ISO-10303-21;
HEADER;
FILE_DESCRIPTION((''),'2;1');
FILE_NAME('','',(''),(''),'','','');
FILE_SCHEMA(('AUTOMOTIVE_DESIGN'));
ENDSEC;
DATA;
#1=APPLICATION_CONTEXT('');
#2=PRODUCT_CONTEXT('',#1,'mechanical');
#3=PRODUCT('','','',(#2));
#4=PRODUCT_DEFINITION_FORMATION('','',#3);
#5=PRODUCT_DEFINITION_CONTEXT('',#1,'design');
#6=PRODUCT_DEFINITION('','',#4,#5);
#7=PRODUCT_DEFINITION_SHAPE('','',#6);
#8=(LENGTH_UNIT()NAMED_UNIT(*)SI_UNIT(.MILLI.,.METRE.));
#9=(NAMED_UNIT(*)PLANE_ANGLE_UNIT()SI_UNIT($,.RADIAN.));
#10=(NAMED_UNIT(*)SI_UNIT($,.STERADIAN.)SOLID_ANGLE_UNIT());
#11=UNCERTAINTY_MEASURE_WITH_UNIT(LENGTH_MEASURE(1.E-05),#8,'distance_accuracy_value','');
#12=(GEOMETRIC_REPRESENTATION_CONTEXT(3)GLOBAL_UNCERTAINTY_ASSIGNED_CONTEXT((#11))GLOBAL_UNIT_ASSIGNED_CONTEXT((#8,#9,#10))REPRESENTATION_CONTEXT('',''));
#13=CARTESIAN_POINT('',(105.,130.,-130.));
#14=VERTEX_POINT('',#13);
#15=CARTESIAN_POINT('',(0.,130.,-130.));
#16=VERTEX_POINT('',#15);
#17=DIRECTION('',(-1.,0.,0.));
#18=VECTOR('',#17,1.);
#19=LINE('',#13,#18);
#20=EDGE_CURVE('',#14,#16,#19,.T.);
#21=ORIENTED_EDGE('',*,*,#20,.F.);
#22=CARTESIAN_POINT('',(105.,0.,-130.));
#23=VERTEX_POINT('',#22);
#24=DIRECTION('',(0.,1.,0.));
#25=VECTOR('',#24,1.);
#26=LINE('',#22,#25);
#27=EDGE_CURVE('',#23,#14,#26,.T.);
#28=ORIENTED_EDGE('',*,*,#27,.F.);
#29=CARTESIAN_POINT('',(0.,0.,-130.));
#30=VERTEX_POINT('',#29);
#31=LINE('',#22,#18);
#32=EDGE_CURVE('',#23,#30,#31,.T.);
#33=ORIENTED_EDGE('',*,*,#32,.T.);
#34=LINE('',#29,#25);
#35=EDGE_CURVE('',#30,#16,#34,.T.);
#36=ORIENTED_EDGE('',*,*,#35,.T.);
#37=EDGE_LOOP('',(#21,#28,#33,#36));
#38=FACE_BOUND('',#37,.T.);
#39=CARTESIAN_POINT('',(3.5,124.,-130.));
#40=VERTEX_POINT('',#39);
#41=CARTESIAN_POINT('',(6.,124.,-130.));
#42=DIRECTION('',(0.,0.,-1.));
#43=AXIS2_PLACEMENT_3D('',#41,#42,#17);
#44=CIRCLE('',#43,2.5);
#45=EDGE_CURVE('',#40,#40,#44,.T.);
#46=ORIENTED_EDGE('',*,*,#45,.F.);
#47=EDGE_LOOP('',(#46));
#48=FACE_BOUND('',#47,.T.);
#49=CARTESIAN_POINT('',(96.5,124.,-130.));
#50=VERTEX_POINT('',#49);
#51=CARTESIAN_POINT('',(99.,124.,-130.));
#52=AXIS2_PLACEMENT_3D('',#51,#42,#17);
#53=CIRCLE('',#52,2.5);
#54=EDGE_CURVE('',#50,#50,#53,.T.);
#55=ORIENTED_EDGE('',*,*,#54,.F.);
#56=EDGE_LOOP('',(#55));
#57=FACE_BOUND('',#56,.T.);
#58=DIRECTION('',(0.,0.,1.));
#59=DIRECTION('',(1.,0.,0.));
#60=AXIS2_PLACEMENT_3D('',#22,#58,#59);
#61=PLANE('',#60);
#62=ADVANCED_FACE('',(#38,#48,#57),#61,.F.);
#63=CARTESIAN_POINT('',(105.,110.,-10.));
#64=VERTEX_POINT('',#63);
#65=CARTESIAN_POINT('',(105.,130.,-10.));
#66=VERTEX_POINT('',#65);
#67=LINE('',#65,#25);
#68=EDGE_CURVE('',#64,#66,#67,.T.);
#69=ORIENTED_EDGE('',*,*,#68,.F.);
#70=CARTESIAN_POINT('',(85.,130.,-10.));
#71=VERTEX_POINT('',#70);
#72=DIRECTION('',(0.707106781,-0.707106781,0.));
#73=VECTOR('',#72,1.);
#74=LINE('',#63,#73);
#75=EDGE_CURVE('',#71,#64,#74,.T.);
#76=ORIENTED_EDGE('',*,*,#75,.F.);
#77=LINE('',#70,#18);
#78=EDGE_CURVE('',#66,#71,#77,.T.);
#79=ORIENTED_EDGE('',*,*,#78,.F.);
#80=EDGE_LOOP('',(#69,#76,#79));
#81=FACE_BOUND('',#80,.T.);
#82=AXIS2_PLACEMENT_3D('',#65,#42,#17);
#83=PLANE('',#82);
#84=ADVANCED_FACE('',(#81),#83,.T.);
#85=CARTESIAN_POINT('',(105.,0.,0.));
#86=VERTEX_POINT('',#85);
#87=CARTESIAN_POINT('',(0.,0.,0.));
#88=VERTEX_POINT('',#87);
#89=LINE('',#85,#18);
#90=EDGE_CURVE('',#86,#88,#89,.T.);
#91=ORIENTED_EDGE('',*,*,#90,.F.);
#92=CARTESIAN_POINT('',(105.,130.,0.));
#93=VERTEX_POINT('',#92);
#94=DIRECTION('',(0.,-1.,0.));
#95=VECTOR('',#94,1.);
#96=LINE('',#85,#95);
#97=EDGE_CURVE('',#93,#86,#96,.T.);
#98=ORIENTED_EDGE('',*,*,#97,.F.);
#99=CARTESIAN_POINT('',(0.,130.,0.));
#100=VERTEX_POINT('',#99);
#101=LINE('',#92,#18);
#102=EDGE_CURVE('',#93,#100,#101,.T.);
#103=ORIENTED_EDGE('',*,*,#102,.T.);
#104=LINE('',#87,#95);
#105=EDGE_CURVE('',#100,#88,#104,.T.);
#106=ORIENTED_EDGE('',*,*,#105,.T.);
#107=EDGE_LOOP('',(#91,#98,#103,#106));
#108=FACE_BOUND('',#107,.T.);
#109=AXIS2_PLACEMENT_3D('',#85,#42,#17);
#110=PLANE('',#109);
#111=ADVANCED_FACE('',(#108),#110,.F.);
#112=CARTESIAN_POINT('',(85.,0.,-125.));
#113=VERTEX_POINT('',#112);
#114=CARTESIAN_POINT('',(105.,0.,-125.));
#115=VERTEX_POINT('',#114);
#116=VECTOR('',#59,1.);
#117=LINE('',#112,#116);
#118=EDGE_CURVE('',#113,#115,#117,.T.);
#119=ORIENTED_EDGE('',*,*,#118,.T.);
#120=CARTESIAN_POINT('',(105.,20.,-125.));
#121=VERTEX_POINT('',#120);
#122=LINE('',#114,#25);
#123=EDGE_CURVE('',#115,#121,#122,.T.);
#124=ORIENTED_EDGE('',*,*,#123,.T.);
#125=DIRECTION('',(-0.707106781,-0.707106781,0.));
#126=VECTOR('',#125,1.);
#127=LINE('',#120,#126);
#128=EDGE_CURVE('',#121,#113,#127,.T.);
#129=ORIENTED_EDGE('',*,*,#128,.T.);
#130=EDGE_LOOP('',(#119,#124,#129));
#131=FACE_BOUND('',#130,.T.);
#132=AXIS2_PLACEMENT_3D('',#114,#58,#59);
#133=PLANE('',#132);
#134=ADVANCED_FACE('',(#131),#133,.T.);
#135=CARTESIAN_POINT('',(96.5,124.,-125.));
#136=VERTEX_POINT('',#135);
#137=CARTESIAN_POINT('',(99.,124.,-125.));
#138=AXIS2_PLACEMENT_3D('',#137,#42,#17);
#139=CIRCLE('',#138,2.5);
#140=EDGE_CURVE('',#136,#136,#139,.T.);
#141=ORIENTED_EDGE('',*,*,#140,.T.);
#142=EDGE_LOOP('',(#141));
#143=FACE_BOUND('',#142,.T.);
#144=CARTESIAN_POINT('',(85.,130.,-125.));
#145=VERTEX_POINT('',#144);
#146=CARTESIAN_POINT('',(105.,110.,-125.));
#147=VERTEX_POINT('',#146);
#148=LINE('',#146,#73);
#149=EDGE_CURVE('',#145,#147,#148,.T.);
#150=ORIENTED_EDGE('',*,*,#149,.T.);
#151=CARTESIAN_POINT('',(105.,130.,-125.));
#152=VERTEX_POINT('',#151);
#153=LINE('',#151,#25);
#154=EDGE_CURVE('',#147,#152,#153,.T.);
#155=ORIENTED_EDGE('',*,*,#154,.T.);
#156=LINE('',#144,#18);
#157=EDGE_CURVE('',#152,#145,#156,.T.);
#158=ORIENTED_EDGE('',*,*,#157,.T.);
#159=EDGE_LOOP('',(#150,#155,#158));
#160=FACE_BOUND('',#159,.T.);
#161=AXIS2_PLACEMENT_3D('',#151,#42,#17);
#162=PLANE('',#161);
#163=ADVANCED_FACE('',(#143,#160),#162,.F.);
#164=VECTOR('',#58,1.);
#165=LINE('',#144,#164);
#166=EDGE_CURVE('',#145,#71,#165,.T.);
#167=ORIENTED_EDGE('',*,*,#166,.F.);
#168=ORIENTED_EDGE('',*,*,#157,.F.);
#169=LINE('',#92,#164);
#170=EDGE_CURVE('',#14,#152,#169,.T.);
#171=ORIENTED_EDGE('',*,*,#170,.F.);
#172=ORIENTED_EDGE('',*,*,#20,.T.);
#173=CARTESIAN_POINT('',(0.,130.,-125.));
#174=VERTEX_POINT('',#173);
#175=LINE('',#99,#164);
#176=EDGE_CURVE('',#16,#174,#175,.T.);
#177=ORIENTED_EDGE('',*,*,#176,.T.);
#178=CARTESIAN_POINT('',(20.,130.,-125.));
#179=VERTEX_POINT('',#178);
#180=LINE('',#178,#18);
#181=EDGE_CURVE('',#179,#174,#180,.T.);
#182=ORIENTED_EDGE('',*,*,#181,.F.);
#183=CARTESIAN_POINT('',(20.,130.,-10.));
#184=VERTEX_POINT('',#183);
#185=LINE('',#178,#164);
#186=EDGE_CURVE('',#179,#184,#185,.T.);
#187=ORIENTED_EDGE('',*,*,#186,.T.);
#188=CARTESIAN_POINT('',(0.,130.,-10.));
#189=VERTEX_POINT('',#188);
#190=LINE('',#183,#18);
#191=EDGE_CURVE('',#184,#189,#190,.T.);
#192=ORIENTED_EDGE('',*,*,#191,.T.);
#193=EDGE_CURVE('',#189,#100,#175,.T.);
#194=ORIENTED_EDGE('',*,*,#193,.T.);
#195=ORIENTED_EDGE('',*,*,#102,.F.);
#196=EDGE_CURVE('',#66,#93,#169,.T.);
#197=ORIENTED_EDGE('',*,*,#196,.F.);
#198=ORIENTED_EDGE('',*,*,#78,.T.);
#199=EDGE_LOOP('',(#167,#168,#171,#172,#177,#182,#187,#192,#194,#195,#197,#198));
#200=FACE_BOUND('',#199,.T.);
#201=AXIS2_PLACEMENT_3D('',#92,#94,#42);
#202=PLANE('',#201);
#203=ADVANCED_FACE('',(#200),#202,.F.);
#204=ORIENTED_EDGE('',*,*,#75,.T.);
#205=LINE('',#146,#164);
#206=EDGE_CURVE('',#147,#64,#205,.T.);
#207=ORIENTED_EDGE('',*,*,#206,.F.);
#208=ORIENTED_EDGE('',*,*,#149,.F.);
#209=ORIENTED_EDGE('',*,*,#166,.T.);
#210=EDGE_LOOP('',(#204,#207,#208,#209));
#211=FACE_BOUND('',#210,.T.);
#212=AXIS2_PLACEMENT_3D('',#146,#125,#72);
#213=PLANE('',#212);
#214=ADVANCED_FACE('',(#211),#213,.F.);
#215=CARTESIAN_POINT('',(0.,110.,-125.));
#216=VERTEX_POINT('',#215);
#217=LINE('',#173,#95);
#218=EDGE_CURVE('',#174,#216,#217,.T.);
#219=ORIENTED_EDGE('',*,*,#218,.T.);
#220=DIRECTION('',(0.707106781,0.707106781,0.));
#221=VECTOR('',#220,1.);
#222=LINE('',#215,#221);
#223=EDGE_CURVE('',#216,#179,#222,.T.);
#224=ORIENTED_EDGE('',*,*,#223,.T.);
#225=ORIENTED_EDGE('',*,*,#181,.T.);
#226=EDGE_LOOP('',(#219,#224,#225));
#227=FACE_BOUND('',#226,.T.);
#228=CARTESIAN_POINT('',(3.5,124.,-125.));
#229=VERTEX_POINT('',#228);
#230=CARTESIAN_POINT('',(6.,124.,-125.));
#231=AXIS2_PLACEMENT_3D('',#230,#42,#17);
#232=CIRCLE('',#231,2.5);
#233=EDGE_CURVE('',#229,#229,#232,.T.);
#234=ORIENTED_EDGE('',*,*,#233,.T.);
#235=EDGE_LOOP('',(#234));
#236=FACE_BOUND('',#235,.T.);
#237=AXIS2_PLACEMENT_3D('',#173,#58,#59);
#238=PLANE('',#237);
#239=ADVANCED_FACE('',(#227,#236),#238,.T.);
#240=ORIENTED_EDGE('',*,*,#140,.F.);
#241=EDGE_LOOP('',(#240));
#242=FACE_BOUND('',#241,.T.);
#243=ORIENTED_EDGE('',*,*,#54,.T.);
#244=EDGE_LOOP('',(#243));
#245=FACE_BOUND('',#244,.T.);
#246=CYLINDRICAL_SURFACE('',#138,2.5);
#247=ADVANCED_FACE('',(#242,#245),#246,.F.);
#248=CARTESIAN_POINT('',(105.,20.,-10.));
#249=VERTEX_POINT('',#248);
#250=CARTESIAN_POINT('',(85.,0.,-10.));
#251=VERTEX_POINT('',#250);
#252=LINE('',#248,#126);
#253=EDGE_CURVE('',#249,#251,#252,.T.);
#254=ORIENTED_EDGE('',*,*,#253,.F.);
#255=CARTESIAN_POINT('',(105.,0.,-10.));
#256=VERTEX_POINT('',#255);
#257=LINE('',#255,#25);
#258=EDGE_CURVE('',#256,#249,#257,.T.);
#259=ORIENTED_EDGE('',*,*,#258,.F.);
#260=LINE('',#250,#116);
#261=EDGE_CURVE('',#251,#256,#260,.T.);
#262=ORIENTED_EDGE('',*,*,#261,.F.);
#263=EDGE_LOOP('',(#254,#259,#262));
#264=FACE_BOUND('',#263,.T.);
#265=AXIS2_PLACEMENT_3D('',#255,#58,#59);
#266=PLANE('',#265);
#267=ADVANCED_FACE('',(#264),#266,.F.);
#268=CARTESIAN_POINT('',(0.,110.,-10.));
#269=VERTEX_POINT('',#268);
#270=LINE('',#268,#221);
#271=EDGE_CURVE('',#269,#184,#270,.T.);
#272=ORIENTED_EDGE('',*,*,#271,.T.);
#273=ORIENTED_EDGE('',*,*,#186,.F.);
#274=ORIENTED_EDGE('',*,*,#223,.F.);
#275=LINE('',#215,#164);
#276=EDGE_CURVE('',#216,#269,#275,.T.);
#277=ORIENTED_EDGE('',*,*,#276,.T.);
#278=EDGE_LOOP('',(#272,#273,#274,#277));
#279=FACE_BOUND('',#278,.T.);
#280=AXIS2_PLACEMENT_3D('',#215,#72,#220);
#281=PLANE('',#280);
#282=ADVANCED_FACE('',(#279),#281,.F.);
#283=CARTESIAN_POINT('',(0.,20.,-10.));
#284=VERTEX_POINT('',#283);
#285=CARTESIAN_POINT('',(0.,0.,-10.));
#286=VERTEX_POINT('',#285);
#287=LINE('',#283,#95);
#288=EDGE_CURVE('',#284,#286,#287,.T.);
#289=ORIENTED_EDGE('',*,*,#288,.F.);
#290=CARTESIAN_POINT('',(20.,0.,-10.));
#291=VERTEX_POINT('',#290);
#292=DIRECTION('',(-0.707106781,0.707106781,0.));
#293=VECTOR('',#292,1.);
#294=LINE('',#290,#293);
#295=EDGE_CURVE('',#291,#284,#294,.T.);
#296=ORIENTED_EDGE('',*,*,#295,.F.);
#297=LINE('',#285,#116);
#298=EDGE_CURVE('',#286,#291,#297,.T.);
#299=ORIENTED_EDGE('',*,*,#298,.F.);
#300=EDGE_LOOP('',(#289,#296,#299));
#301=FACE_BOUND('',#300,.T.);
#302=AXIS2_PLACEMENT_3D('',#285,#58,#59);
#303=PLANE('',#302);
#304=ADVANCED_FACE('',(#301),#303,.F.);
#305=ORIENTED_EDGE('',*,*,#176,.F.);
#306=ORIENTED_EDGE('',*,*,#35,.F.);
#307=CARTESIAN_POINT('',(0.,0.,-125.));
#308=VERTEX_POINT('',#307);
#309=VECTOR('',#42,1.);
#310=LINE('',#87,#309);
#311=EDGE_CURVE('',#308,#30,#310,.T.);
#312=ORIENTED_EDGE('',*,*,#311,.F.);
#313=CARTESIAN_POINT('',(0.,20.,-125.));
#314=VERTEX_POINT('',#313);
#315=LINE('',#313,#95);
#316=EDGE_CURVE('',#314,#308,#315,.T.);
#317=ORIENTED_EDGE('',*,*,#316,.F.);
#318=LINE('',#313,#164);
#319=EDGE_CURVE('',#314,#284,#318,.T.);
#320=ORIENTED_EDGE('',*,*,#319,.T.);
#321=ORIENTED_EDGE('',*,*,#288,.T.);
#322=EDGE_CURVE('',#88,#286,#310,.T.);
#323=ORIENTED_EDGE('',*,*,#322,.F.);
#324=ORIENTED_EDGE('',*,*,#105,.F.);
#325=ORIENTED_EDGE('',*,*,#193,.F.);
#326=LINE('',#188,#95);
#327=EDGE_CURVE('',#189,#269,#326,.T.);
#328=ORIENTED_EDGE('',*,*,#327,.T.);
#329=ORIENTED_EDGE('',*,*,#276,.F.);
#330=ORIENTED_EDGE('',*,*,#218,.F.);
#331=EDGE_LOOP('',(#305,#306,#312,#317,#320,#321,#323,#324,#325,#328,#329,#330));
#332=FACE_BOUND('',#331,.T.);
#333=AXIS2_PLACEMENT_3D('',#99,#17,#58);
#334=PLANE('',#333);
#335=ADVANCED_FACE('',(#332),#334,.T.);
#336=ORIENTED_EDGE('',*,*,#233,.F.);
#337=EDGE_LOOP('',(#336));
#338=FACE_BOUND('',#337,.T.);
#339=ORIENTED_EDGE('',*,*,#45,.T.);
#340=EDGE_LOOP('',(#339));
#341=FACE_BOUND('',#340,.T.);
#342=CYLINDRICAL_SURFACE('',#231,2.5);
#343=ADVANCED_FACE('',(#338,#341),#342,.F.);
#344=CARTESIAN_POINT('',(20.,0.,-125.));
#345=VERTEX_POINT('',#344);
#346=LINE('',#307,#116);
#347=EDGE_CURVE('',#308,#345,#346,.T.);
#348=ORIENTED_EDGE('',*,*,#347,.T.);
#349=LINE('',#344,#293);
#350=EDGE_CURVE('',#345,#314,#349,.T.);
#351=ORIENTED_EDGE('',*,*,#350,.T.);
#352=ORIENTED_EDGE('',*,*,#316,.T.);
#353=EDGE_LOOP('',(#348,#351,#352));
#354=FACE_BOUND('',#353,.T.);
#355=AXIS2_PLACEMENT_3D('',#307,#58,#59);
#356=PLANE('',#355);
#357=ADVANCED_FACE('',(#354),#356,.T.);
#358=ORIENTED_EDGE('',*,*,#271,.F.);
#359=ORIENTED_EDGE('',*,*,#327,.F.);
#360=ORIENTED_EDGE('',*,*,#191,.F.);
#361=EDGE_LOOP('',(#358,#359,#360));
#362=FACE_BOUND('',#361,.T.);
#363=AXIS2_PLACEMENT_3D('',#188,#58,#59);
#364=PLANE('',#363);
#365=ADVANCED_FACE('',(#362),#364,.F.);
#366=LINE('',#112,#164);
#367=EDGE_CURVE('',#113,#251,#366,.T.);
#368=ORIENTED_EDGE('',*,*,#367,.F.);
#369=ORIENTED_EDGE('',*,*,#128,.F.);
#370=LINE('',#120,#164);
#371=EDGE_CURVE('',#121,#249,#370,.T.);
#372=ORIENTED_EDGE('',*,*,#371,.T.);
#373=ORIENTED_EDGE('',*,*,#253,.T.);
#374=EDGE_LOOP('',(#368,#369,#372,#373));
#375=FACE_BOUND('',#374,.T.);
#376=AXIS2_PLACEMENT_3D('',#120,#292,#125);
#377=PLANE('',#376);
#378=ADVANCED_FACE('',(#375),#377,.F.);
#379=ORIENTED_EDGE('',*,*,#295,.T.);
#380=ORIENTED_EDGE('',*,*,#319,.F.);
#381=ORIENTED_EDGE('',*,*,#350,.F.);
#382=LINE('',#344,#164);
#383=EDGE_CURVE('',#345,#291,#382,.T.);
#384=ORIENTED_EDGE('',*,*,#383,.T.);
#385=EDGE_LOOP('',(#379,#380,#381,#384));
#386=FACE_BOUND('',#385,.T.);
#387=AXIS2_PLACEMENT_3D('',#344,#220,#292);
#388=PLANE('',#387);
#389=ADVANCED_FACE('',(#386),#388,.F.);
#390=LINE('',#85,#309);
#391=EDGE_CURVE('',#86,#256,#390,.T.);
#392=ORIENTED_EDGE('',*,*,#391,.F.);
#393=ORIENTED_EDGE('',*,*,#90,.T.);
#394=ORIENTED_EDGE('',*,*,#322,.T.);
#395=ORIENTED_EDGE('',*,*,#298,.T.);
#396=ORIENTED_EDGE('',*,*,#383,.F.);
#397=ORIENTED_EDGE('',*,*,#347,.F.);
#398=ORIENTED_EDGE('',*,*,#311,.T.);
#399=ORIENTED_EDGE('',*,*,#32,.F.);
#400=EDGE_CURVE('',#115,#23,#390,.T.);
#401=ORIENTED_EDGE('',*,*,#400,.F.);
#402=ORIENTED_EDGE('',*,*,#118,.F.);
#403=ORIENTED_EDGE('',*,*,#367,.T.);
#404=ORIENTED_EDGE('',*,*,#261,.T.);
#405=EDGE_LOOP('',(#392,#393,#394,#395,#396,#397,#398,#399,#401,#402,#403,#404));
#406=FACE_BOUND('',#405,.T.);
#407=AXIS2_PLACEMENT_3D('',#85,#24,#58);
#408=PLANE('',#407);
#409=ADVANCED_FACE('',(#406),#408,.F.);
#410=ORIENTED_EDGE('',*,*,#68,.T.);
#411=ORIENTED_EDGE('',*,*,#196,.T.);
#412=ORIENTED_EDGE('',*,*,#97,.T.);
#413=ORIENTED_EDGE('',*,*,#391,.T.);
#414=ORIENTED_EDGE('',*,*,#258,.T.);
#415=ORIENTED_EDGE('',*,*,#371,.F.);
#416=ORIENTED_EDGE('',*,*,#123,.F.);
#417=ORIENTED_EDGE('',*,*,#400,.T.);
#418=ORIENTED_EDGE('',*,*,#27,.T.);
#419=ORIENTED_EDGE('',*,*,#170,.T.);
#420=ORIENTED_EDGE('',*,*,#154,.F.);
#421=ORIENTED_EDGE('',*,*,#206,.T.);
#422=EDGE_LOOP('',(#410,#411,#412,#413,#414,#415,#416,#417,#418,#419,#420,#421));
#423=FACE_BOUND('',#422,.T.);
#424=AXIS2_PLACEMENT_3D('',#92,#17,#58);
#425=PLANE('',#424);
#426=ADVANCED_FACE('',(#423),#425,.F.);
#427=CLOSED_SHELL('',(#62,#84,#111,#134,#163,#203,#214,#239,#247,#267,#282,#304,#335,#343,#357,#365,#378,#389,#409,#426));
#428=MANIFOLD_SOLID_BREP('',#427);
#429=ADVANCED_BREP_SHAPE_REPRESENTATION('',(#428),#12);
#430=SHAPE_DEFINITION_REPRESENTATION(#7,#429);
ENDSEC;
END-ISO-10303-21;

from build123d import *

# Parameters (mm, degrees)
ESQUISSE1_W             = 130
ESQUISSE1_H             = 130
BASE_EXTRUSION_DEPTH    = 105
ENL_V_MAT_EXTRU_1_DEPTH = 115
ESQUISSE4_R             = 2.5
ENL_V_MAT_EXTRU_2_DEPTH = 5


with BuildPart() as part:
    # Esquisse1 → Base-Extrusion (new body)
    with BuildSketch(Plane(origin=(0, 0, 0), x_dir=(0, 0, -1), z_dir=(1, 0, 0))):
        with Locations((65, 65)):
            Rectangle(ESQUISSE1_W, ESQUISSE1_H)
    extrude(amount=BASE_EXTRUSION_DEPTH)

    # Esquisse3 → Enlèv. mat.-Extru.1 (cut)
    with BuildSketch(Plane.XY.offset(-10)):
        Polygon((0, 0), (20, 0), (0, 20), align=None)
        Polygon((0, 130), (0, 110), (20, 130), align=None)
        Polygon((105, 130), (105, 110), (85, 130), align=None)
        Polygon((105, 0), (105, 20), (85, 0), align=None)
    extrude(amount=-ENL_V_MAT_EXTRU_1_DEPTH, mode=Mode.SUBTRACT)

    # Esquisse4 → Enlèv. mat.-Extru.2 (cut)
    with BuildSketch(Plane(origin=(0, 0, -130), x_dir=(-1, 0, 0), z_dir=(0, 0, -1))):
        with Locations((-6, 124)):
            Circle(ESQUISSE4_R)
        with Locations((-99, 124)):
            Circle(ESQUISSE4_R)
    extrude(amount=-ENL_V_MAT_EXTRU_2_DEPTH, mode=Mode.SUBTRACT)


solid = part.part
